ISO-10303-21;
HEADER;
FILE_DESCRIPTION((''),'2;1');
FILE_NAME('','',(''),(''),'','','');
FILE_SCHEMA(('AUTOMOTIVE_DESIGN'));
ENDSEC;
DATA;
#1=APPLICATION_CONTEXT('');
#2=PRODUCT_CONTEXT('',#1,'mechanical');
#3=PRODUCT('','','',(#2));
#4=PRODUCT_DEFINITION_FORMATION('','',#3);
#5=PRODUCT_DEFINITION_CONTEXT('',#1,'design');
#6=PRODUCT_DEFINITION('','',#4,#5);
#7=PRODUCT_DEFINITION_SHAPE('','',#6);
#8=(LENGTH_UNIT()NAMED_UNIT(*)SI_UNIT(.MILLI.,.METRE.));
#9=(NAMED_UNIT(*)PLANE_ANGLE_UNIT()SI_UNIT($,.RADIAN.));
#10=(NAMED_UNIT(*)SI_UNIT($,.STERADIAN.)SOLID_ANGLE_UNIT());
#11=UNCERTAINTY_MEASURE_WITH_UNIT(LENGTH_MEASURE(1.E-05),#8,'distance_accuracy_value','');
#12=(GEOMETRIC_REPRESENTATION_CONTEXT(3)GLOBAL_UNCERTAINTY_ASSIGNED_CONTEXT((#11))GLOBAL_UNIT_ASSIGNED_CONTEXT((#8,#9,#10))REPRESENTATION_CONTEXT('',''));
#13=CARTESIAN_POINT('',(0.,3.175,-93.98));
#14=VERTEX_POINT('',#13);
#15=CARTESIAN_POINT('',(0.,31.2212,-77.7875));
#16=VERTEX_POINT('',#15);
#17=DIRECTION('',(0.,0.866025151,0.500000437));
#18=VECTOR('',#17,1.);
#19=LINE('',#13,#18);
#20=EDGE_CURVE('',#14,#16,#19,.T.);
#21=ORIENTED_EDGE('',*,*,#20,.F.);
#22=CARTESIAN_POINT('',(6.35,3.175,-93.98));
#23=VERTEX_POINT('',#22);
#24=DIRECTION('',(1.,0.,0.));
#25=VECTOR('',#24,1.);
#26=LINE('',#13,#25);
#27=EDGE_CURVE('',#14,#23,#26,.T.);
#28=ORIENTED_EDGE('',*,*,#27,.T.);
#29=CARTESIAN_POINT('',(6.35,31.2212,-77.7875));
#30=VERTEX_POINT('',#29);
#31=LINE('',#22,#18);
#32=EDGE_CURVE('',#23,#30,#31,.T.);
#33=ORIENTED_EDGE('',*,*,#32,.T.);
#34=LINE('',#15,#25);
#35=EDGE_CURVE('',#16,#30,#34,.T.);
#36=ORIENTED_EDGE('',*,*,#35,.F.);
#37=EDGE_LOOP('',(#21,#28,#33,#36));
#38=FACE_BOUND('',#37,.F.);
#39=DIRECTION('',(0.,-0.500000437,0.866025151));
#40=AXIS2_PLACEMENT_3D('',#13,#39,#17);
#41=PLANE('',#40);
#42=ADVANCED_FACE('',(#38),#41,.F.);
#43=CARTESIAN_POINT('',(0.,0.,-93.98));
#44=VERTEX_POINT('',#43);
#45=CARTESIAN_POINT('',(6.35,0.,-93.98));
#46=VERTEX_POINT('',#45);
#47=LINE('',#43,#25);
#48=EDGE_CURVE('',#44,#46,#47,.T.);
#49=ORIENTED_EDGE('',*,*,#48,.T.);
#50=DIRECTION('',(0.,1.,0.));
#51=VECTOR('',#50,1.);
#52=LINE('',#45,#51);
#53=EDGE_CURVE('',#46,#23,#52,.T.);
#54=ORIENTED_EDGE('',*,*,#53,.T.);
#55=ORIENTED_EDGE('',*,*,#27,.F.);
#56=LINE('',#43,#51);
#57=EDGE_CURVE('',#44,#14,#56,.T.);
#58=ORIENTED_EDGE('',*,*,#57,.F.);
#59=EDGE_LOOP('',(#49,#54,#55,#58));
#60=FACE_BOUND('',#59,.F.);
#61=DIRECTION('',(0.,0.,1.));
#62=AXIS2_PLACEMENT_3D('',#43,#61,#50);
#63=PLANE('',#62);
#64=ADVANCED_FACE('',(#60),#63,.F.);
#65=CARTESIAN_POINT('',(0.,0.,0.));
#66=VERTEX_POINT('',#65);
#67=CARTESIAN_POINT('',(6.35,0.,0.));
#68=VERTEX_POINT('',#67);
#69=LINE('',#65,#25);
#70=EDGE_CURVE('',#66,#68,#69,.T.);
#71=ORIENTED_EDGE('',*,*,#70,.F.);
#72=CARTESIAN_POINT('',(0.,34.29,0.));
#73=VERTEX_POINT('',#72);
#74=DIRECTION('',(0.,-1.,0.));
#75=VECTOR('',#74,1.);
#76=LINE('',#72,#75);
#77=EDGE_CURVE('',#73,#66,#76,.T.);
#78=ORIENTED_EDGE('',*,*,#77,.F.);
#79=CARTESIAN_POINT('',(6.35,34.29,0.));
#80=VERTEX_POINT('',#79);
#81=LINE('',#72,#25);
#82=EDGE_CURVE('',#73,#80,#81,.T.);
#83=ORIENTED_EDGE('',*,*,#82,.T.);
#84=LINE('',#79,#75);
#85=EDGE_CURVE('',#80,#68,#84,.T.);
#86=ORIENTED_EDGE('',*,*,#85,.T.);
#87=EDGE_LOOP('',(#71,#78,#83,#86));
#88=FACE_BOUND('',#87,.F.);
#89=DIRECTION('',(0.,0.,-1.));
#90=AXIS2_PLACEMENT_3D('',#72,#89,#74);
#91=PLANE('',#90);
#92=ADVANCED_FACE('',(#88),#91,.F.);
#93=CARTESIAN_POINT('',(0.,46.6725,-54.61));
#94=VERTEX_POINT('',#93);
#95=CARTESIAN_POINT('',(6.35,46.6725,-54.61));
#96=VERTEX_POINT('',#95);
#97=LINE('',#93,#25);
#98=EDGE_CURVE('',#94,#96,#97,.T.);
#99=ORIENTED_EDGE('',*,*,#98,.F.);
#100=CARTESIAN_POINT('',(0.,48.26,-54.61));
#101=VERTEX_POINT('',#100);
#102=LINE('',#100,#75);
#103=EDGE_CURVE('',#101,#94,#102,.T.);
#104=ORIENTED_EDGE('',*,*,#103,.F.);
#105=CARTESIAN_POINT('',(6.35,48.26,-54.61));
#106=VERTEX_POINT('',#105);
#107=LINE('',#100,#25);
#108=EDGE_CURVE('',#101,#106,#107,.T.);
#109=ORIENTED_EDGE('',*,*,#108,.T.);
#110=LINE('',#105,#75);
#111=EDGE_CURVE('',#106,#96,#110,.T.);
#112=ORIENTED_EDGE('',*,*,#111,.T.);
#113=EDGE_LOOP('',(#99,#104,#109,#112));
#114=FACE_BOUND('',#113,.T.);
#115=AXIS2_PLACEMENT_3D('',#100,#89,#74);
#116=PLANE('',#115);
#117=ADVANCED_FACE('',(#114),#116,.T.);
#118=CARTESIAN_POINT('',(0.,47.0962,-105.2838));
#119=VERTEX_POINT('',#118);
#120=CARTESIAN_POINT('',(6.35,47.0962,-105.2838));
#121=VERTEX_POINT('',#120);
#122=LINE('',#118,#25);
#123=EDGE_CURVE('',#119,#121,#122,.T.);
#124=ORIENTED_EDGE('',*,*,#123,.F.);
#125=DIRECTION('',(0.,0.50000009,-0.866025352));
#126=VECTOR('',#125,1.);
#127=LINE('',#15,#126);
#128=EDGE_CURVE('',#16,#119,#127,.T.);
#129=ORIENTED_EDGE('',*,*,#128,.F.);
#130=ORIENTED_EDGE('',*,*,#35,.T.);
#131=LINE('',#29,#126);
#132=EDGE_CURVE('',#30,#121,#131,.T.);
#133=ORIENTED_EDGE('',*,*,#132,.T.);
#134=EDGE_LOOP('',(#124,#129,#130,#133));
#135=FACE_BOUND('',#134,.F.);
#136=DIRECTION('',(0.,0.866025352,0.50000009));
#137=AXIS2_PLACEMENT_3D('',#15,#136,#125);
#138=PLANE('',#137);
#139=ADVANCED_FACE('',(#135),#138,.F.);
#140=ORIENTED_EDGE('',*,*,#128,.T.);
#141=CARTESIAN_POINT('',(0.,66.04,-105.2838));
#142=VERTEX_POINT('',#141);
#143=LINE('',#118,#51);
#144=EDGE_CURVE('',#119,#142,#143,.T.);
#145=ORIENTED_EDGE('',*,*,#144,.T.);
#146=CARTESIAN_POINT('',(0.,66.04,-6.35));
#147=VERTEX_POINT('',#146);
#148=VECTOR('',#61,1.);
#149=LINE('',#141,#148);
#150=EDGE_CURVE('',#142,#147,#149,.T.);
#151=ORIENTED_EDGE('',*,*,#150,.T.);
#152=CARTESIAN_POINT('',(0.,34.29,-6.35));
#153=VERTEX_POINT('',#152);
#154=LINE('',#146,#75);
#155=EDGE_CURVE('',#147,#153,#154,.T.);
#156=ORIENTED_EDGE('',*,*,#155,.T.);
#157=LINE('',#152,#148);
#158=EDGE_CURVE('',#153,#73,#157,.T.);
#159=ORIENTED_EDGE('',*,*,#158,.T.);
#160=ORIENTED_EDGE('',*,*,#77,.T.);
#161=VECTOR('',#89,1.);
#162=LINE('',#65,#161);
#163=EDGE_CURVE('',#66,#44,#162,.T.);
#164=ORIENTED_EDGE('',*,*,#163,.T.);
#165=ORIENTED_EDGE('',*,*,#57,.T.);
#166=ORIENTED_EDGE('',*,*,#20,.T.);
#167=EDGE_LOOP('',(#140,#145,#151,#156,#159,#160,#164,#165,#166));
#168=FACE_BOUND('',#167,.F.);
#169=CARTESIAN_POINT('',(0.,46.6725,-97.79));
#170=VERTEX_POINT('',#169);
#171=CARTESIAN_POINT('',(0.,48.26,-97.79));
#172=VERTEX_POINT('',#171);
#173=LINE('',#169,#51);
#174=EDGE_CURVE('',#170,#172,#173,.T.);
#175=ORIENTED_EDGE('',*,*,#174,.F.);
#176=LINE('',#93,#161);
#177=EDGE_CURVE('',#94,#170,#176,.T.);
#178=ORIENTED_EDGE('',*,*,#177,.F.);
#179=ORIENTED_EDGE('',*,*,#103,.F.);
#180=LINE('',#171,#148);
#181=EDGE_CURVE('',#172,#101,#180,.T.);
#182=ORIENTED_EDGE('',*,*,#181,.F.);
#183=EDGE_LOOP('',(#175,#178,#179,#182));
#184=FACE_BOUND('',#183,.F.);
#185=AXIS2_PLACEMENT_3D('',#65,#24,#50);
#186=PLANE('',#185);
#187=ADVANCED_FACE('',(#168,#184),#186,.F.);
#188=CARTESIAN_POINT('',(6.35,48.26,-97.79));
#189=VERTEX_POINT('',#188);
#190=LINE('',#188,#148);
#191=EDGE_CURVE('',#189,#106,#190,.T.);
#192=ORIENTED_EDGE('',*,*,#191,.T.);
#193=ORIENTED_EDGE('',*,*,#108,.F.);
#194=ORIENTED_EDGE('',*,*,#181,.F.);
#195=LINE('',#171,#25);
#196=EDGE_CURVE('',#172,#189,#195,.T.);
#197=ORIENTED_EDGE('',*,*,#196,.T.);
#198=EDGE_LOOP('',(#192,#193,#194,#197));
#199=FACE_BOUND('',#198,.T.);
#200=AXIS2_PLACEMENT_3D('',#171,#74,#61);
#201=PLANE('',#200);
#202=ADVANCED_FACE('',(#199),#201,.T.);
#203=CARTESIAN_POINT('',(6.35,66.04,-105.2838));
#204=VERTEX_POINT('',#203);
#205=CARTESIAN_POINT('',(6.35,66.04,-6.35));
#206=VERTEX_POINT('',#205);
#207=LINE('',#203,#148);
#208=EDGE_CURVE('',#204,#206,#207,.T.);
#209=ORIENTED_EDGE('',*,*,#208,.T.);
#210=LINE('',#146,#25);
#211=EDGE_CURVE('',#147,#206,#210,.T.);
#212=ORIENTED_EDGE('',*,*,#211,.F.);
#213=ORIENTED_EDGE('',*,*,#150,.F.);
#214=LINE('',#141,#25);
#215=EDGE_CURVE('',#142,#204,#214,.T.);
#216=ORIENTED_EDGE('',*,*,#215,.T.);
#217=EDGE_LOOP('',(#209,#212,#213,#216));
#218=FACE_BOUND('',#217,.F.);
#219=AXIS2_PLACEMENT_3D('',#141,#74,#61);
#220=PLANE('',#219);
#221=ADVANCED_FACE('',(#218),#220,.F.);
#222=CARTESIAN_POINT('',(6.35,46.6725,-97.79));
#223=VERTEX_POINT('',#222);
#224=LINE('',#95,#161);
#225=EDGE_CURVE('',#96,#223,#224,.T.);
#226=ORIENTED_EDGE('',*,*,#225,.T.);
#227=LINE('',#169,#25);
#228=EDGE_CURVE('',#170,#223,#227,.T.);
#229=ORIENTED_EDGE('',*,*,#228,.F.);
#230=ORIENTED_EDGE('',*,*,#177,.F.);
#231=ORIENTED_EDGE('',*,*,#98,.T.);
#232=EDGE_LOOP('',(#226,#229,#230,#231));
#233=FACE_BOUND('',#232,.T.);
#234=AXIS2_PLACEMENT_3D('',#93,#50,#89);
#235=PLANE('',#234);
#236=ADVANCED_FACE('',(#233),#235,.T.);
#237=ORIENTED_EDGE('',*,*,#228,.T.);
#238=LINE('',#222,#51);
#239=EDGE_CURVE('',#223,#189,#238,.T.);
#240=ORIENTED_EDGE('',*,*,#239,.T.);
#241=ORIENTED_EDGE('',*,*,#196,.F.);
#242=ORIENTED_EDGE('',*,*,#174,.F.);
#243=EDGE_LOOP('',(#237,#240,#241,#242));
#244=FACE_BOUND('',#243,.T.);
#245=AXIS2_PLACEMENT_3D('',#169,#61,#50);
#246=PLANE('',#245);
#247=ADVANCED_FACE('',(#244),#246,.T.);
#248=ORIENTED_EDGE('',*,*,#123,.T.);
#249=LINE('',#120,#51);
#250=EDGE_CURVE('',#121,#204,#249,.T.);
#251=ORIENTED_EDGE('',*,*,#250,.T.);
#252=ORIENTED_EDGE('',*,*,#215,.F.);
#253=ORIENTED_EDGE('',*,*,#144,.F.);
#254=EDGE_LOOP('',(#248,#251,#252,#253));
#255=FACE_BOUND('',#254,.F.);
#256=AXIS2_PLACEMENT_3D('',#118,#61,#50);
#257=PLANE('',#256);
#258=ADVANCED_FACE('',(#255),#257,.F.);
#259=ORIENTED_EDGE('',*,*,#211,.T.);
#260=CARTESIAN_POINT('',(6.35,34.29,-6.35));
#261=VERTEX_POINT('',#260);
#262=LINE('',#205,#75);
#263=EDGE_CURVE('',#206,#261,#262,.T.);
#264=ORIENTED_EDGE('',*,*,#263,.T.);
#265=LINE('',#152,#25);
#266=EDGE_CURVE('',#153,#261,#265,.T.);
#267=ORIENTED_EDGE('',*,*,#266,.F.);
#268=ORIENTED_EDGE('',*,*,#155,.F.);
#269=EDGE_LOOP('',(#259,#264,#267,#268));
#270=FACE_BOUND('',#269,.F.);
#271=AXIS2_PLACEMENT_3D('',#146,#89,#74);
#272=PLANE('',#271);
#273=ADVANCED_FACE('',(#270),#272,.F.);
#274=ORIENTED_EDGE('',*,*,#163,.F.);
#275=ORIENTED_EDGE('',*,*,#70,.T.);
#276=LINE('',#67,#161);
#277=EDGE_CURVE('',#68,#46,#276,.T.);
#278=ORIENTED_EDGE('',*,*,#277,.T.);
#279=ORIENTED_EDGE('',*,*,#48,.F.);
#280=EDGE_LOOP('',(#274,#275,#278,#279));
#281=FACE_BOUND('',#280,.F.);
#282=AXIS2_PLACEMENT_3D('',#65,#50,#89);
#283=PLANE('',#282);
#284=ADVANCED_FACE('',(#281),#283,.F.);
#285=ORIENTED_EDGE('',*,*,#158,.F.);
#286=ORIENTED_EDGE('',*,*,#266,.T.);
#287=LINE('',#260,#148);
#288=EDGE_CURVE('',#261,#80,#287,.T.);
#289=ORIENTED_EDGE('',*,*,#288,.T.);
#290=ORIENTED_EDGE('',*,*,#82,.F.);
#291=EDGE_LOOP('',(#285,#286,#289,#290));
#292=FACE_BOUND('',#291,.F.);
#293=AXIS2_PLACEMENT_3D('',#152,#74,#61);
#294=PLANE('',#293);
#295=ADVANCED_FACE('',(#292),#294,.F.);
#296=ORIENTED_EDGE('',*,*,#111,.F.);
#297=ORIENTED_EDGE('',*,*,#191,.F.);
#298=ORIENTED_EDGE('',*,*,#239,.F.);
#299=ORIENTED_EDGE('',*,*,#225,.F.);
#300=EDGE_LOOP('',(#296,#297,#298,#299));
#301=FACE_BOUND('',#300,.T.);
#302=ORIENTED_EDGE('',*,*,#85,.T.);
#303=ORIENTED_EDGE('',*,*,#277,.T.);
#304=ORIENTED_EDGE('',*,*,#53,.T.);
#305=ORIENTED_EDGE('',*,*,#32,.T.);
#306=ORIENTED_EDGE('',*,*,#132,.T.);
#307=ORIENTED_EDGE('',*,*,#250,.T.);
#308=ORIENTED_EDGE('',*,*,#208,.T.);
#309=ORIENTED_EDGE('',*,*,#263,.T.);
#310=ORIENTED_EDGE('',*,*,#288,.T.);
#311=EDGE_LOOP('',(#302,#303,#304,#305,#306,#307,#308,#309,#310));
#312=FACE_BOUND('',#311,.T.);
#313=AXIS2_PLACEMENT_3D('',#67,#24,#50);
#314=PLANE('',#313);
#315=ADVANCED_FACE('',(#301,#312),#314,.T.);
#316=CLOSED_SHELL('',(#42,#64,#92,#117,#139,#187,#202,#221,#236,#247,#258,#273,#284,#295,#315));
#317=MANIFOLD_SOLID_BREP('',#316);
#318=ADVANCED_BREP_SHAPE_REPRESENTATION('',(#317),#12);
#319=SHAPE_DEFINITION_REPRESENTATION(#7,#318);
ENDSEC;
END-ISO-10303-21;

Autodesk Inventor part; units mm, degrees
ref_plane "YZ Plane" through (0, 0, 0) normal (1, 0, 0) x (0, 1, 0)
ref_plane "XZ Plane" through (0, 0, 0) normal (0, 1, 0) x (-1, 0, 0)
ref_plane "XY Plane" through (0, 0, 0) normal (0, 0, 1) x (1, 0, 0)
sketch "Sketch1" plane through (0, 0, 0) normal (1, 0, 0) x (0, 1, 0)
  line L0 (0, 0) -> (0, -93.98)
  line L1 (0, -93.98) -> (3.175, -93.98)
  line L2 (3.175, -93.98) -> (31.2212, -77.7875)
  line L3 (31.2212, -77.7875) -> (47.0962, -105.2838)
  line L4 (47.0962, -105.2838) -> (66.04, -105.2838)
  line L5 (66.04, -105.2838) -> (66.04, -6.35)
  line L6 (34.29, 0) -> (0, 0)
  line L7 (48.26, -54.61) -> (46.6725, -54.61)
  line L8 (46.6725, -54.61) -> (46.6725, -97.79)
  line L9 (46.6725, -97.79) -> (48.26, -97.79)
  line L10 (48.26, -97.79) -> (48.26, -54.61)
  line L11 (66.04, -6.35) -> (34.29, -6.35)
  line L12 (34.29, -6.35) -> (34.29, 0)
  dimension "d2" = 31.75
  dimension "d4" = 30
  dimension "d6" = 66.04
  dimension "d7" = 93.98
  dimension "d8" = 32.385
  dimension "d9" = 3.175
  dimension "d10" = 43.18
  dimension "d11" = 1.5875
  dimension "d13" = 54.61
  dimension "d16" = 6.35
  dimension "d17" = 31.75
  dimension "d18" = 48.26
extrude "Extrusion1" add sketch "Sketch1" along normal blind 6.35
properties part number "chute_wall"
